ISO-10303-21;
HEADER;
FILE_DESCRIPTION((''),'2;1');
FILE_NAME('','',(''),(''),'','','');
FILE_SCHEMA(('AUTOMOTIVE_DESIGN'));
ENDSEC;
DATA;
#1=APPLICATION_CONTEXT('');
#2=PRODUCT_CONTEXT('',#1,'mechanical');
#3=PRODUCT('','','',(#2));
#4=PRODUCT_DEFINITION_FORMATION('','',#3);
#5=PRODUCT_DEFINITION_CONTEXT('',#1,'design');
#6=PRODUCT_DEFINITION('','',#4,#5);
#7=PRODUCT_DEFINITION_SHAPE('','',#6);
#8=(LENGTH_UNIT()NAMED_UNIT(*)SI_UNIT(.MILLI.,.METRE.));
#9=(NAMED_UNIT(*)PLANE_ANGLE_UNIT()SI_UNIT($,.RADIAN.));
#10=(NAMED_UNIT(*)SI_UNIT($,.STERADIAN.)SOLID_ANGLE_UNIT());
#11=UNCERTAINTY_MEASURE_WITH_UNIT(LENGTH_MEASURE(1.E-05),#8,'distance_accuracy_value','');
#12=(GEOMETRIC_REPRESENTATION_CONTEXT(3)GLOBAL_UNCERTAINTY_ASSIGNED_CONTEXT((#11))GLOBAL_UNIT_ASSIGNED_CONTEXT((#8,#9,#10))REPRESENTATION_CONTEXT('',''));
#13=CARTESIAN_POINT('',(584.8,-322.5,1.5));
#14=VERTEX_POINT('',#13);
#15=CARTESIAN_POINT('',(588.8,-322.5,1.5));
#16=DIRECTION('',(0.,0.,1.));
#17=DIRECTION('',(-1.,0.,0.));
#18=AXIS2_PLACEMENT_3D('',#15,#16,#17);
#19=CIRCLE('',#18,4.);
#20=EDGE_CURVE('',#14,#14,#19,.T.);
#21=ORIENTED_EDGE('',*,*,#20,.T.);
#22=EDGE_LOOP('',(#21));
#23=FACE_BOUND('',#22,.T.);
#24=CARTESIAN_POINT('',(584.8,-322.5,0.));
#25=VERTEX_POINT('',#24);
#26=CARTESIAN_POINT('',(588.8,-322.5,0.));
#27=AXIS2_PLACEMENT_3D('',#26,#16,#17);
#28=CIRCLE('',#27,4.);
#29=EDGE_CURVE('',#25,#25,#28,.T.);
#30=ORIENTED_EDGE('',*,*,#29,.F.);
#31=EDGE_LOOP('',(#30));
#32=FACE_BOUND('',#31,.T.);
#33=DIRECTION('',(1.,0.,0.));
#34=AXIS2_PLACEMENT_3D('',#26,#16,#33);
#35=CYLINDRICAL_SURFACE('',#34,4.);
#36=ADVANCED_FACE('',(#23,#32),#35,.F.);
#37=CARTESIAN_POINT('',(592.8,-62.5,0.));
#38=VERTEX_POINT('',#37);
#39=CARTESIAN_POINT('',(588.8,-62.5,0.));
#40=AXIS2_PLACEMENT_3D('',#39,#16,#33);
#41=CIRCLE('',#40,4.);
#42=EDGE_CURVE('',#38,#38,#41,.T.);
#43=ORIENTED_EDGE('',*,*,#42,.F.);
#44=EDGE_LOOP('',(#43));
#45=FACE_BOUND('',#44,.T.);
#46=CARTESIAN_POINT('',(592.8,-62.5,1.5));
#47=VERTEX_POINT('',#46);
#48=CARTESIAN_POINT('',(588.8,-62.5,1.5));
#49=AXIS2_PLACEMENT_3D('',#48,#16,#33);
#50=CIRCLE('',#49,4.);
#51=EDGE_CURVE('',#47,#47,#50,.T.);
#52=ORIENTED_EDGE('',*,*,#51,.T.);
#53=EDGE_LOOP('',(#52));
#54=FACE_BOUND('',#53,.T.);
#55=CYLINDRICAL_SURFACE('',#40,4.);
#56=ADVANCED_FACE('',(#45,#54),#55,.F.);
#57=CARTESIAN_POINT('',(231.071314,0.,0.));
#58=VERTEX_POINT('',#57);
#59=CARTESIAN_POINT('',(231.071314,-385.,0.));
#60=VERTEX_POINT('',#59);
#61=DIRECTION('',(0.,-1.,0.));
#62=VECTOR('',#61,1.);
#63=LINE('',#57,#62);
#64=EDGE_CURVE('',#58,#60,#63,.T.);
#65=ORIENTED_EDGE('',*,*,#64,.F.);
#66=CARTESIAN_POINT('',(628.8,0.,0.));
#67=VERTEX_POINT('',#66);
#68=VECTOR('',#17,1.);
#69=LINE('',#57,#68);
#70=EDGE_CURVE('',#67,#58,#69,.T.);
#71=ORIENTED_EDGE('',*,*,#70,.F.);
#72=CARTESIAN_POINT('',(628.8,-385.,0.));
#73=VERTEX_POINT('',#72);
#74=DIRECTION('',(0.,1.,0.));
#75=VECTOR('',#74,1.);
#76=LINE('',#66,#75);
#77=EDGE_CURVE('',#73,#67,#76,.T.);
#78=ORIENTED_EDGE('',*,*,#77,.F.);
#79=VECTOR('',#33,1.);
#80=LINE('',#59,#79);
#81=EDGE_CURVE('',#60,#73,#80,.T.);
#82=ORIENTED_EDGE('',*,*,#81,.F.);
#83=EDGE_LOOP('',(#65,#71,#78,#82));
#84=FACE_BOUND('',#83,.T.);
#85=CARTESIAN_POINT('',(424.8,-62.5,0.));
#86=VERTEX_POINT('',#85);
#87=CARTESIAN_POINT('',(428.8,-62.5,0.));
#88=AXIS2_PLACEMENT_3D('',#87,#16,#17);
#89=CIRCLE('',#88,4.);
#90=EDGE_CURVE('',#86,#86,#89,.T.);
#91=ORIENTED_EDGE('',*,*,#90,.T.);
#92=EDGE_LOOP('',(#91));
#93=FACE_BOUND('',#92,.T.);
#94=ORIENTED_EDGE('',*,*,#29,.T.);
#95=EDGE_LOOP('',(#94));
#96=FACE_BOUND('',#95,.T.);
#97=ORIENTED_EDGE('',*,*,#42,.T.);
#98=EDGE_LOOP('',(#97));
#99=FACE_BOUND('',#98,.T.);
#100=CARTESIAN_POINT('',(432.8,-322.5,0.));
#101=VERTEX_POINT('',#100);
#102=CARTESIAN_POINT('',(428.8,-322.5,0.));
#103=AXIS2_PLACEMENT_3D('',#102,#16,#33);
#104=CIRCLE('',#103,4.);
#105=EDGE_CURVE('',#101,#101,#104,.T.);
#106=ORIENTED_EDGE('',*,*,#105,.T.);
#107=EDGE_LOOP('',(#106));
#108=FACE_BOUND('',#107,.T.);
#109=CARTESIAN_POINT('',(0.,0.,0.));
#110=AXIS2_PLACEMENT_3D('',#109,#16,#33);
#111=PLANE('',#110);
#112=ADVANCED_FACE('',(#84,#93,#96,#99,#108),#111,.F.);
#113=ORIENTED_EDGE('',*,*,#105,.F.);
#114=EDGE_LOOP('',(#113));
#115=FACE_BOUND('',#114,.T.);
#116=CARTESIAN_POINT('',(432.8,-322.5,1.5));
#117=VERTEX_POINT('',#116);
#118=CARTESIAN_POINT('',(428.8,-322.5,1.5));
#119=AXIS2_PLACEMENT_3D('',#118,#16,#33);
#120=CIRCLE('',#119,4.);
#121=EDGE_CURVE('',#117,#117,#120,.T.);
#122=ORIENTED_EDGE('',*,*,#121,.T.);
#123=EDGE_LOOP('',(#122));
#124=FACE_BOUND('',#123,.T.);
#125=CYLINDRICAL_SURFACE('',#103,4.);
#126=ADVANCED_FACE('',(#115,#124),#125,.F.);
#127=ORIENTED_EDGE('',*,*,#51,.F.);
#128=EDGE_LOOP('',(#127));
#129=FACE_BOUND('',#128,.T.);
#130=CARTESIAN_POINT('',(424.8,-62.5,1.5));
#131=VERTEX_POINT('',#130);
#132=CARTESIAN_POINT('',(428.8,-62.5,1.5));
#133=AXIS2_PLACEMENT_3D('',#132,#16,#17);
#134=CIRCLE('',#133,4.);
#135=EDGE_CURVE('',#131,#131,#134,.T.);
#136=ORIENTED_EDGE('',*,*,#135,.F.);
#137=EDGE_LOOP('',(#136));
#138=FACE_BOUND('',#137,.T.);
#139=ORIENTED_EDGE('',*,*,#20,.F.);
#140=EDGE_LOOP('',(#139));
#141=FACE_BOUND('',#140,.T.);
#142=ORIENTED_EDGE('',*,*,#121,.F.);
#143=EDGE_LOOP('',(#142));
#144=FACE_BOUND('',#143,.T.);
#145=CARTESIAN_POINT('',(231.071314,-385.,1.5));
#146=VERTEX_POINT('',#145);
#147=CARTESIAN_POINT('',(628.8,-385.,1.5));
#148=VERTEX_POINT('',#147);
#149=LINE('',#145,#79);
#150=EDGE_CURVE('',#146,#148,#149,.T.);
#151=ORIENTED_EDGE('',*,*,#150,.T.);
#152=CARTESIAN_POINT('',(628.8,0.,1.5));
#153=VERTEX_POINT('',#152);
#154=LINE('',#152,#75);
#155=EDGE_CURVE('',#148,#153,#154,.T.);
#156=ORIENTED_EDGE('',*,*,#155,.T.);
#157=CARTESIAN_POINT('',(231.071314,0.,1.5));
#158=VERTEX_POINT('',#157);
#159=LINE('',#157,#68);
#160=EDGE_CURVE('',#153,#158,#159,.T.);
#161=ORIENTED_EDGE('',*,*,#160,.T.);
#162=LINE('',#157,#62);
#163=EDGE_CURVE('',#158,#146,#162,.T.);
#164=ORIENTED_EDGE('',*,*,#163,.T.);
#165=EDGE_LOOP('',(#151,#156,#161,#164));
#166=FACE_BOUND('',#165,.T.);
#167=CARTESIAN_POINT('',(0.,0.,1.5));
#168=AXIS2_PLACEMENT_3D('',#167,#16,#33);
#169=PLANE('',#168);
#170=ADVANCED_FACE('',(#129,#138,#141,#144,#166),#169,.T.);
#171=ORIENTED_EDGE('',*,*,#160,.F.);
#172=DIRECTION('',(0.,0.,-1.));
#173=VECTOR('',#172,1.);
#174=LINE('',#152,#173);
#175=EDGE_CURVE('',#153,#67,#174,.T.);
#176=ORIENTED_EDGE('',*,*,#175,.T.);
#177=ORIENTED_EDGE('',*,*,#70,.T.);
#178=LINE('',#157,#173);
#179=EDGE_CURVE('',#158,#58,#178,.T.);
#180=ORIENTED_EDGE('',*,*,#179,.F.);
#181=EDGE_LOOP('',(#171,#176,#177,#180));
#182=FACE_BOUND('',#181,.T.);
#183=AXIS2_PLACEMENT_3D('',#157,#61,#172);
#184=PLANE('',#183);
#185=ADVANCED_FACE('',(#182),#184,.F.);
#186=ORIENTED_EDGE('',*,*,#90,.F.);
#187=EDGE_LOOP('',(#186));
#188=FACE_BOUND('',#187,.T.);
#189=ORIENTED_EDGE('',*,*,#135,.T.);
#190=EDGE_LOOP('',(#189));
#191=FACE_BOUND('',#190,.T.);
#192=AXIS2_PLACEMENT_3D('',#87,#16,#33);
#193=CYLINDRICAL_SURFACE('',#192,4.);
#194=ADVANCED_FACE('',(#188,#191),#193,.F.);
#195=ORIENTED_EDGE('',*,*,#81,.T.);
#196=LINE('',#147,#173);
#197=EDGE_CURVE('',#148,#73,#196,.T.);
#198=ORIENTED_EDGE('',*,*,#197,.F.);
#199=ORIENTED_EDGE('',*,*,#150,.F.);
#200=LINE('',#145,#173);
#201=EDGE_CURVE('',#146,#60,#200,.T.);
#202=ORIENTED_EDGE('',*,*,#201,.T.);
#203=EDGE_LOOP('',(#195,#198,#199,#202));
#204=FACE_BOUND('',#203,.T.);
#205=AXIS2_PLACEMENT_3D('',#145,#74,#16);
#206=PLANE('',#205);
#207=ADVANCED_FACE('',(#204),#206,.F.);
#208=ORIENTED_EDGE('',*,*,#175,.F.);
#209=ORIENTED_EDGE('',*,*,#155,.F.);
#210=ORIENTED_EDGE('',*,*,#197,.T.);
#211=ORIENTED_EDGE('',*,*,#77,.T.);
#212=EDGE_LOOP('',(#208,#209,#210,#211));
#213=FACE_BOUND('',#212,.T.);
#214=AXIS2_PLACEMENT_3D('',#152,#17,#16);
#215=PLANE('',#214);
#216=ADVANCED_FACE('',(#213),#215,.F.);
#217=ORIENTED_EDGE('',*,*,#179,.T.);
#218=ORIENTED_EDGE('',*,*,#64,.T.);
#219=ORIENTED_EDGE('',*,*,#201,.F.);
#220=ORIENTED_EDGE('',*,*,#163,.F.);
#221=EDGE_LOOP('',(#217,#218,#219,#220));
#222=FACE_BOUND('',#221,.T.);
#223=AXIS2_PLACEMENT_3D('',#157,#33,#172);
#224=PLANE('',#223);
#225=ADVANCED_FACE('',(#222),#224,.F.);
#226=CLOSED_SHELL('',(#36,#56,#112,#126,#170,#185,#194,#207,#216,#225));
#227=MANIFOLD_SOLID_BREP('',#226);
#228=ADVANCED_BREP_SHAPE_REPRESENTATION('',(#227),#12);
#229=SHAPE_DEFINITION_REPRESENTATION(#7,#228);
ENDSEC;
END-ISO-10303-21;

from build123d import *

# Parameters (mm, degrees)
SKETCH1_W           = 397.728686166
SKETCH1_H           = 385
BOSS_EXTRUDE1_DEPTH = 1.5
SKETCH2_R           = 4
CUT_EXTRUDE1_DEPTH  = 1.5


with BuildPart() as part:
    # Sketch1 → Boss-Extrude1 (new body)
    with BuildSketch(Plane.XY):
        with Locations((429.935656917, -192.5)):
            Rectangle(SKETCH1_W, SKETCH1_H)
    extrude(amount=BOSS_EXTRUDE1_DEPTH)

    # Sketch2 → Cut-Extrude1 (cut)
    with BuildSketch(Plane.XY.offset(1.5)):
        with Locations((588.8, -62.5)):
            Circle(SKETCH2_R)
        with Locations(Location((588.8, -322.5, 0), (0, 0, 180))):
            Circle(SKETCH2_R)
        with Locations(Location((428.8, -62.5, 0), (0, 0, 180))):
            Circle(SKETCH2_R)
        with Locations((428.8, -322.5)):
            Circle(SKETCH2_R)
    extrude(amount=-CUT_EXTRUDE1_DEPTH, mode=Mode.SUBTRACT)


solid = part.part
